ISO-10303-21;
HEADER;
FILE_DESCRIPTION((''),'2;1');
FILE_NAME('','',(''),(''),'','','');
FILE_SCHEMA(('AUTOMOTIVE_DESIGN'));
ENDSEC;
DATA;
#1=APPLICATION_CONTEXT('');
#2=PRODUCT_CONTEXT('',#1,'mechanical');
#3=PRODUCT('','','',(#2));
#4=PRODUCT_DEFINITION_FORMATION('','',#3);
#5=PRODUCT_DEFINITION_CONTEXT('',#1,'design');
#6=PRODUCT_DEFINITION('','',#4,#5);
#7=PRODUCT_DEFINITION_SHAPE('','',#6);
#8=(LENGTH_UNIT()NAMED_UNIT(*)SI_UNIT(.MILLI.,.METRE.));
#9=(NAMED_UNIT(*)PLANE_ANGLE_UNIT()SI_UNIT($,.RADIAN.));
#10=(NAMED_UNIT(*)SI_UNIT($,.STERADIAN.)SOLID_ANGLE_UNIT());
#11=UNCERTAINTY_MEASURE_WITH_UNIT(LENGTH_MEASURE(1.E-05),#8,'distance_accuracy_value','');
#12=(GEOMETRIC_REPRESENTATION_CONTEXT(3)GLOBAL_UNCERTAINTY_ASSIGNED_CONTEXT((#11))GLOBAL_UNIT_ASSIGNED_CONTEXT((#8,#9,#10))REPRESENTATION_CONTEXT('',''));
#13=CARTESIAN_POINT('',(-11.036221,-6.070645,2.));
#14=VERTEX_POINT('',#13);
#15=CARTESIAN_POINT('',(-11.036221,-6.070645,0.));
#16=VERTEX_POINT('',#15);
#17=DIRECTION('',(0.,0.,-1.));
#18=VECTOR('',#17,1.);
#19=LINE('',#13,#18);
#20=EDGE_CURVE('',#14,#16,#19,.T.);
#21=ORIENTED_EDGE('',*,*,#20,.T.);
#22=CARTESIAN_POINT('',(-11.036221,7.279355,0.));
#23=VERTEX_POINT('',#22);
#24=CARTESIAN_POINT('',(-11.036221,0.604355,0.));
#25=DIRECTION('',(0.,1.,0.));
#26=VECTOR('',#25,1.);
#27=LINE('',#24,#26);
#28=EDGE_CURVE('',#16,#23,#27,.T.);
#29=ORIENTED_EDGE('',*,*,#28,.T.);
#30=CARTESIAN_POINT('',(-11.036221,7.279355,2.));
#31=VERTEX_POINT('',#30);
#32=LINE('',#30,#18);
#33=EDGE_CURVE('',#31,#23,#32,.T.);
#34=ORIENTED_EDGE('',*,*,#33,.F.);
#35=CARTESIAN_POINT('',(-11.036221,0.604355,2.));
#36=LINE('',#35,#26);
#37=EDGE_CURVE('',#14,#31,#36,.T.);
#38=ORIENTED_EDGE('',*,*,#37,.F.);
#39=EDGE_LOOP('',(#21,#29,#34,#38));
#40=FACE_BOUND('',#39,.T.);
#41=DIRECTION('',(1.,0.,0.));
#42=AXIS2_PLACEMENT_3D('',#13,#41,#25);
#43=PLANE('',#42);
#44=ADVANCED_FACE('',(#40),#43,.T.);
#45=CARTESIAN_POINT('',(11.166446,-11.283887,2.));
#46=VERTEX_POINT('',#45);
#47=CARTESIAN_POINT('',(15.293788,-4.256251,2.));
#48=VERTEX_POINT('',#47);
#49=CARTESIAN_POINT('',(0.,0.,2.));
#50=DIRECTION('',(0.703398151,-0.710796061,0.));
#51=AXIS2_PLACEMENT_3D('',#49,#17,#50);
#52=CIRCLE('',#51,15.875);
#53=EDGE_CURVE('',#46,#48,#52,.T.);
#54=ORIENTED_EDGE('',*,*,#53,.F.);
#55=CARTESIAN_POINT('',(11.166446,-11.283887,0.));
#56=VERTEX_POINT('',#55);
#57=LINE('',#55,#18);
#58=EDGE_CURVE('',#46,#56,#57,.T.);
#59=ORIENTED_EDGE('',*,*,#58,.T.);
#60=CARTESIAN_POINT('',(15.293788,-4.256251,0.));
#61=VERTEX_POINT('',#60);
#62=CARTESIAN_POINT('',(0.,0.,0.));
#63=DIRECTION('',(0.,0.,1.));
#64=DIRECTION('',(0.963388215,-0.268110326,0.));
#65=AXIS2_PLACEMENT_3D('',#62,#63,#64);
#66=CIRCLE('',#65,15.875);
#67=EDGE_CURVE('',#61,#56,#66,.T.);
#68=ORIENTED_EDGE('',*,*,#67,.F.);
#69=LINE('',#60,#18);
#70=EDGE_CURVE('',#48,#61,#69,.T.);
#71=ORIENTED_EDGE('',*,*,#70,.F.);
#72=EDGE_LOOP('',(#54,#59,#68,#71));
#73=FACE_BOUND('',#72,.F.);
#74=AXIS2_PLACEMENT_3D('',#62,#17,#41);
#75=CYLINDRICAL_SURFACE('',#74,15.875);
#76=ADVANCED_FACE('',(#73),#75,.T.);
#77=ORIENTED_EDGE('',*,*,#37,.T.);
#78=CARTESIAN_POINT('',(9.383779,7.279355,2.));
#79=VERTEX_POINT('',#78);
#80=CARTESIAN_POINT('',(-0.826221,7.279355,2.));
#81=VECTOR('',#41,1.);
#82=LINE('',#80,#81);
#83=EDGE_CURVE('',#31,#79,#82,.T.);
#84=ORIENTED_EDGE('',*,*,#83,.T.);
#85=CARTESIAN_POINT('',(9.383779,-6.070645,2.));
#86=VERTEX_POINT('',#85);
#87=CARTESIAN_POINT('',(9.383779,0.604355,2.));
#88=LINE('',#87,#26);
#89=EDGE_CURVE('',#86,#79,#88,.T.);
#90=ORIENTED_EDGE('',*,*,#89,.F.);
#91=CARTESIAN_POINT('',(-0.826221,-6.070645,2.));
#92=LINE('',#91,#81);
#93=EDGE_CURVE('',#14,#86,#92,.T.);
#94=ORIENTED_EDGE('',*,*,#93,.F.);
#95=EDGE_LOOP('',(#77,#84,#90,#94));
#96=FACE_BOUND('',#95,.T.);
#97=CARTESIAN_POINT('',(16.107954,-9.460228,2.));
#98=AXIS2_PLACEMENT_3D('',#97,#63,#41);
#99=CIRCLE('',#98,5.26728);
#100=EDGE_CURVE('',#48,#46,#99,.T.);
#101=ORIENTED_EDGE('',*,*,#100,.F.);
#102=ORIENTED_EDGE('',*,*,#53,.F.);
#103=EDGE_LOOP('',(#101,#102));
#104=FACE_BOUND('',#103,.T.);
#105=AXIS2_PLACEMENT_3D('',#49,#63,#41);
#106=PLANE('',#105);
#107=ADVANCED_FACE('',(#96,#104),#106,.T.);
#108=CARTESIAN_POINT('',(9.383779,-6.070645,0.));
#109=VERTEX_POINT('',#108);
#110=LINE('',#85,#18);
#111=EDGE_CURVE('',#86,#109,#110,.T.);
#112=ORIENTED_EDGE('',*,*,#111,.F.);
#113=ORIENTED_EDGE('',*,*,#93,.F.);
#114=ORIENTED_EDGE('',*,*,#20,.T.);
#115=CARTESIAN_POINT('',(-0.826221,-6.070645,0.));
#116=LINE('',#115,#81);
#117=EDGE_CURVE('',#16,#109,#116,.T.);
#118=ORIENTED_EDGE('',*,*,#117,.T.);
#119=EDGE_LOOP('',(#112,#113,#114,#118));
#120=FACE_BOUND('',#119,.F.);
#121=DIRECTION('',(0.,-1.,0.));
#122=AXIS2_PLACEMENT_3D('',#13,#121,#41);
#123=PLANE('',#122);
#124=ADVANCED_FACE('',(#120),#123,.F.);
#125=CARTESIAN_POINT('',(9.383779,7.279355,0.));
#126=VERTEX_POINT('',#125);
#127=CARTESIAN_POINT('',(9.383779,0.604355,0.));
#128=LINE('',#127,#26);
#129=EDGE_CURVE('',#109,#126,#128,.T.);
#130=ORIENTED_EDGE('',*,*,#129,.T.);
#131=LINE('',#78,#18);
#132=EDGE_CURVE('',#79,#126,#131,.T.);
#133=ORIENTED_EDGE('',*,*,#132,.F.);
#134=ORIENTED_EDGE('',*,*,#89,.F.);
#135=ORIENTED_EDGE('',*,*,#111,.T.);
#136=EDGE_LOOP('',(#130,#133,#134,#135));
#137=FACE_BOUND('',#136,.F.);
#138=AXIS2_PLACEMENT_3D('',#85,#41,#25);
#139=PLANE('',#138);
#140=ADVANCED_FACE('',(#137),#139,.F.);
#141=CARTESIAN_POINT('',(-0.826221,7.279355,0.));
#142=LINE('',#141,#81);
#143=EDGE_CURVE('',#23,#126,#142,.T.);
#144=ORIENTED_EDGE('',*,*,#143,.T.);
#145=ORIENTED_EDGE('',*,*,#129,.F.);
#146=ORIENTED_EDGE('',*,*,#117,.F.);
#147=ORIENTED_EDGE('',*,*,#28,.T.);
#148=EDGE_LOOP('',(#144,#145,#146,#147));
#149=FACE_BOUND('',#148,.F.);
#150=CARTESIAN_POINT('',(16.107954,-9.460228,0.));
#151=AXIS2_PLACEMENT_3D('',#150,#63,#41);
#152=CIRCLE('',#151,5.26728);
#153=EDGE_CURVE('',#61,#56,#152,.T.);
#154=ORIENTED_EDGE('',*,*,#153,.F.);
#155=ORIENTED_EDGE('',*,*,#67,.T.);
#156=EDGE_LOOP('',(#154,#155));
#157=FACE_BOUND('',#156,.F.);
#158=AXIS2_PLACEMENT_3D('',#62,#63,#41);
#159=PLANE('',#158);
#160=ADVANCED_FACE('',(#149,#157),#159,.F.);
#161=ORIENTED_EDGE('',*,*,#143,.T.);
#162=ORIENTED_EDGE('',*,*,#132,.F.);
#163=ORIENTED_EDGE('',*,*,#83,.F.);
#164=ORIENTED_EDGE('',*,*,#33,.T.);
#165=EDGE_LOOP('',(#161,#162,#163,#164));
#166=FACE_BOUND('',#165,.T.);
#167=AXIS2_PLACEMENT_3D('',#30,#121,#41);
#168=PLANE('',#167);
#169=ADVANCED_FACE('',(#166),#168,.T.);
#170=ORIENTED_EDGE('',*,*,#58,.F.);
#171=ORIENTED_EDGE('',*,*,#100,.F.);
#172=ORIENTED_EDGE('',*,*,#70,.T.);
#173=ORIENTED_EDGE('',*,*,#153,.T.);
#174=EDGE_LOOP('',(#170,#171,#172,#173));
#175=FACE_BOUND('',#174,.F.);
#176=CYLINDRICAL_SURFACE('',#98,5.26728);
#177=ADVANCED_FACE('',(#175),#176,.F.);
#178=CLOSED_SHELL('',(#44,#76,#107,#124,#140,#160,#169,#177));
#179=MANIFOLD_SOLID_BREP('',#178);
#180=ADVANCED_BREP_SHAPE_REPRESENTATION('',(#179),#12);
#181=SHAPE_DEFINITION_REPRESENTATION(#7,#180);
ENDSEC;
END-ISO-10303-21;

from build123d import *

# Parameters (mm, degrees)
F0_R     = 15.875
F1_DEPTH = 2
F2_W     = 20.42
F2_H     = 13.35
F3_DEPTH = 2
F4_R     = 5.26728
F5_DEPTH = 5


with BuildPart() as f1:
    # F0 (on Top) → F1 (new body)
    with BuildSketch(Plane.XY):
        Circle(F0_R)
    extrude(amount=F1_DEPTH)

    # F2 (on face) → F3 (cut)
    with BuildSketch(Plane.XY.offset(2)):
        with Locations((-0.826221, 0.604355)):
            Rectangle(F2_W, F2_H)
    extrude(amount=-F3_DEPTH, mode=Mode.SUBTRACT)

    # F4 (on face) → F5 (cut)
    with BuildSketch(Plane.XY.offset(2)):
        with Locations((16.107954, -9.460228)):
            Circle(F4_R)
    extrude(amount=-F5_DEPTH, mode=Mode.SUBTRACT)


solid = f1.part
